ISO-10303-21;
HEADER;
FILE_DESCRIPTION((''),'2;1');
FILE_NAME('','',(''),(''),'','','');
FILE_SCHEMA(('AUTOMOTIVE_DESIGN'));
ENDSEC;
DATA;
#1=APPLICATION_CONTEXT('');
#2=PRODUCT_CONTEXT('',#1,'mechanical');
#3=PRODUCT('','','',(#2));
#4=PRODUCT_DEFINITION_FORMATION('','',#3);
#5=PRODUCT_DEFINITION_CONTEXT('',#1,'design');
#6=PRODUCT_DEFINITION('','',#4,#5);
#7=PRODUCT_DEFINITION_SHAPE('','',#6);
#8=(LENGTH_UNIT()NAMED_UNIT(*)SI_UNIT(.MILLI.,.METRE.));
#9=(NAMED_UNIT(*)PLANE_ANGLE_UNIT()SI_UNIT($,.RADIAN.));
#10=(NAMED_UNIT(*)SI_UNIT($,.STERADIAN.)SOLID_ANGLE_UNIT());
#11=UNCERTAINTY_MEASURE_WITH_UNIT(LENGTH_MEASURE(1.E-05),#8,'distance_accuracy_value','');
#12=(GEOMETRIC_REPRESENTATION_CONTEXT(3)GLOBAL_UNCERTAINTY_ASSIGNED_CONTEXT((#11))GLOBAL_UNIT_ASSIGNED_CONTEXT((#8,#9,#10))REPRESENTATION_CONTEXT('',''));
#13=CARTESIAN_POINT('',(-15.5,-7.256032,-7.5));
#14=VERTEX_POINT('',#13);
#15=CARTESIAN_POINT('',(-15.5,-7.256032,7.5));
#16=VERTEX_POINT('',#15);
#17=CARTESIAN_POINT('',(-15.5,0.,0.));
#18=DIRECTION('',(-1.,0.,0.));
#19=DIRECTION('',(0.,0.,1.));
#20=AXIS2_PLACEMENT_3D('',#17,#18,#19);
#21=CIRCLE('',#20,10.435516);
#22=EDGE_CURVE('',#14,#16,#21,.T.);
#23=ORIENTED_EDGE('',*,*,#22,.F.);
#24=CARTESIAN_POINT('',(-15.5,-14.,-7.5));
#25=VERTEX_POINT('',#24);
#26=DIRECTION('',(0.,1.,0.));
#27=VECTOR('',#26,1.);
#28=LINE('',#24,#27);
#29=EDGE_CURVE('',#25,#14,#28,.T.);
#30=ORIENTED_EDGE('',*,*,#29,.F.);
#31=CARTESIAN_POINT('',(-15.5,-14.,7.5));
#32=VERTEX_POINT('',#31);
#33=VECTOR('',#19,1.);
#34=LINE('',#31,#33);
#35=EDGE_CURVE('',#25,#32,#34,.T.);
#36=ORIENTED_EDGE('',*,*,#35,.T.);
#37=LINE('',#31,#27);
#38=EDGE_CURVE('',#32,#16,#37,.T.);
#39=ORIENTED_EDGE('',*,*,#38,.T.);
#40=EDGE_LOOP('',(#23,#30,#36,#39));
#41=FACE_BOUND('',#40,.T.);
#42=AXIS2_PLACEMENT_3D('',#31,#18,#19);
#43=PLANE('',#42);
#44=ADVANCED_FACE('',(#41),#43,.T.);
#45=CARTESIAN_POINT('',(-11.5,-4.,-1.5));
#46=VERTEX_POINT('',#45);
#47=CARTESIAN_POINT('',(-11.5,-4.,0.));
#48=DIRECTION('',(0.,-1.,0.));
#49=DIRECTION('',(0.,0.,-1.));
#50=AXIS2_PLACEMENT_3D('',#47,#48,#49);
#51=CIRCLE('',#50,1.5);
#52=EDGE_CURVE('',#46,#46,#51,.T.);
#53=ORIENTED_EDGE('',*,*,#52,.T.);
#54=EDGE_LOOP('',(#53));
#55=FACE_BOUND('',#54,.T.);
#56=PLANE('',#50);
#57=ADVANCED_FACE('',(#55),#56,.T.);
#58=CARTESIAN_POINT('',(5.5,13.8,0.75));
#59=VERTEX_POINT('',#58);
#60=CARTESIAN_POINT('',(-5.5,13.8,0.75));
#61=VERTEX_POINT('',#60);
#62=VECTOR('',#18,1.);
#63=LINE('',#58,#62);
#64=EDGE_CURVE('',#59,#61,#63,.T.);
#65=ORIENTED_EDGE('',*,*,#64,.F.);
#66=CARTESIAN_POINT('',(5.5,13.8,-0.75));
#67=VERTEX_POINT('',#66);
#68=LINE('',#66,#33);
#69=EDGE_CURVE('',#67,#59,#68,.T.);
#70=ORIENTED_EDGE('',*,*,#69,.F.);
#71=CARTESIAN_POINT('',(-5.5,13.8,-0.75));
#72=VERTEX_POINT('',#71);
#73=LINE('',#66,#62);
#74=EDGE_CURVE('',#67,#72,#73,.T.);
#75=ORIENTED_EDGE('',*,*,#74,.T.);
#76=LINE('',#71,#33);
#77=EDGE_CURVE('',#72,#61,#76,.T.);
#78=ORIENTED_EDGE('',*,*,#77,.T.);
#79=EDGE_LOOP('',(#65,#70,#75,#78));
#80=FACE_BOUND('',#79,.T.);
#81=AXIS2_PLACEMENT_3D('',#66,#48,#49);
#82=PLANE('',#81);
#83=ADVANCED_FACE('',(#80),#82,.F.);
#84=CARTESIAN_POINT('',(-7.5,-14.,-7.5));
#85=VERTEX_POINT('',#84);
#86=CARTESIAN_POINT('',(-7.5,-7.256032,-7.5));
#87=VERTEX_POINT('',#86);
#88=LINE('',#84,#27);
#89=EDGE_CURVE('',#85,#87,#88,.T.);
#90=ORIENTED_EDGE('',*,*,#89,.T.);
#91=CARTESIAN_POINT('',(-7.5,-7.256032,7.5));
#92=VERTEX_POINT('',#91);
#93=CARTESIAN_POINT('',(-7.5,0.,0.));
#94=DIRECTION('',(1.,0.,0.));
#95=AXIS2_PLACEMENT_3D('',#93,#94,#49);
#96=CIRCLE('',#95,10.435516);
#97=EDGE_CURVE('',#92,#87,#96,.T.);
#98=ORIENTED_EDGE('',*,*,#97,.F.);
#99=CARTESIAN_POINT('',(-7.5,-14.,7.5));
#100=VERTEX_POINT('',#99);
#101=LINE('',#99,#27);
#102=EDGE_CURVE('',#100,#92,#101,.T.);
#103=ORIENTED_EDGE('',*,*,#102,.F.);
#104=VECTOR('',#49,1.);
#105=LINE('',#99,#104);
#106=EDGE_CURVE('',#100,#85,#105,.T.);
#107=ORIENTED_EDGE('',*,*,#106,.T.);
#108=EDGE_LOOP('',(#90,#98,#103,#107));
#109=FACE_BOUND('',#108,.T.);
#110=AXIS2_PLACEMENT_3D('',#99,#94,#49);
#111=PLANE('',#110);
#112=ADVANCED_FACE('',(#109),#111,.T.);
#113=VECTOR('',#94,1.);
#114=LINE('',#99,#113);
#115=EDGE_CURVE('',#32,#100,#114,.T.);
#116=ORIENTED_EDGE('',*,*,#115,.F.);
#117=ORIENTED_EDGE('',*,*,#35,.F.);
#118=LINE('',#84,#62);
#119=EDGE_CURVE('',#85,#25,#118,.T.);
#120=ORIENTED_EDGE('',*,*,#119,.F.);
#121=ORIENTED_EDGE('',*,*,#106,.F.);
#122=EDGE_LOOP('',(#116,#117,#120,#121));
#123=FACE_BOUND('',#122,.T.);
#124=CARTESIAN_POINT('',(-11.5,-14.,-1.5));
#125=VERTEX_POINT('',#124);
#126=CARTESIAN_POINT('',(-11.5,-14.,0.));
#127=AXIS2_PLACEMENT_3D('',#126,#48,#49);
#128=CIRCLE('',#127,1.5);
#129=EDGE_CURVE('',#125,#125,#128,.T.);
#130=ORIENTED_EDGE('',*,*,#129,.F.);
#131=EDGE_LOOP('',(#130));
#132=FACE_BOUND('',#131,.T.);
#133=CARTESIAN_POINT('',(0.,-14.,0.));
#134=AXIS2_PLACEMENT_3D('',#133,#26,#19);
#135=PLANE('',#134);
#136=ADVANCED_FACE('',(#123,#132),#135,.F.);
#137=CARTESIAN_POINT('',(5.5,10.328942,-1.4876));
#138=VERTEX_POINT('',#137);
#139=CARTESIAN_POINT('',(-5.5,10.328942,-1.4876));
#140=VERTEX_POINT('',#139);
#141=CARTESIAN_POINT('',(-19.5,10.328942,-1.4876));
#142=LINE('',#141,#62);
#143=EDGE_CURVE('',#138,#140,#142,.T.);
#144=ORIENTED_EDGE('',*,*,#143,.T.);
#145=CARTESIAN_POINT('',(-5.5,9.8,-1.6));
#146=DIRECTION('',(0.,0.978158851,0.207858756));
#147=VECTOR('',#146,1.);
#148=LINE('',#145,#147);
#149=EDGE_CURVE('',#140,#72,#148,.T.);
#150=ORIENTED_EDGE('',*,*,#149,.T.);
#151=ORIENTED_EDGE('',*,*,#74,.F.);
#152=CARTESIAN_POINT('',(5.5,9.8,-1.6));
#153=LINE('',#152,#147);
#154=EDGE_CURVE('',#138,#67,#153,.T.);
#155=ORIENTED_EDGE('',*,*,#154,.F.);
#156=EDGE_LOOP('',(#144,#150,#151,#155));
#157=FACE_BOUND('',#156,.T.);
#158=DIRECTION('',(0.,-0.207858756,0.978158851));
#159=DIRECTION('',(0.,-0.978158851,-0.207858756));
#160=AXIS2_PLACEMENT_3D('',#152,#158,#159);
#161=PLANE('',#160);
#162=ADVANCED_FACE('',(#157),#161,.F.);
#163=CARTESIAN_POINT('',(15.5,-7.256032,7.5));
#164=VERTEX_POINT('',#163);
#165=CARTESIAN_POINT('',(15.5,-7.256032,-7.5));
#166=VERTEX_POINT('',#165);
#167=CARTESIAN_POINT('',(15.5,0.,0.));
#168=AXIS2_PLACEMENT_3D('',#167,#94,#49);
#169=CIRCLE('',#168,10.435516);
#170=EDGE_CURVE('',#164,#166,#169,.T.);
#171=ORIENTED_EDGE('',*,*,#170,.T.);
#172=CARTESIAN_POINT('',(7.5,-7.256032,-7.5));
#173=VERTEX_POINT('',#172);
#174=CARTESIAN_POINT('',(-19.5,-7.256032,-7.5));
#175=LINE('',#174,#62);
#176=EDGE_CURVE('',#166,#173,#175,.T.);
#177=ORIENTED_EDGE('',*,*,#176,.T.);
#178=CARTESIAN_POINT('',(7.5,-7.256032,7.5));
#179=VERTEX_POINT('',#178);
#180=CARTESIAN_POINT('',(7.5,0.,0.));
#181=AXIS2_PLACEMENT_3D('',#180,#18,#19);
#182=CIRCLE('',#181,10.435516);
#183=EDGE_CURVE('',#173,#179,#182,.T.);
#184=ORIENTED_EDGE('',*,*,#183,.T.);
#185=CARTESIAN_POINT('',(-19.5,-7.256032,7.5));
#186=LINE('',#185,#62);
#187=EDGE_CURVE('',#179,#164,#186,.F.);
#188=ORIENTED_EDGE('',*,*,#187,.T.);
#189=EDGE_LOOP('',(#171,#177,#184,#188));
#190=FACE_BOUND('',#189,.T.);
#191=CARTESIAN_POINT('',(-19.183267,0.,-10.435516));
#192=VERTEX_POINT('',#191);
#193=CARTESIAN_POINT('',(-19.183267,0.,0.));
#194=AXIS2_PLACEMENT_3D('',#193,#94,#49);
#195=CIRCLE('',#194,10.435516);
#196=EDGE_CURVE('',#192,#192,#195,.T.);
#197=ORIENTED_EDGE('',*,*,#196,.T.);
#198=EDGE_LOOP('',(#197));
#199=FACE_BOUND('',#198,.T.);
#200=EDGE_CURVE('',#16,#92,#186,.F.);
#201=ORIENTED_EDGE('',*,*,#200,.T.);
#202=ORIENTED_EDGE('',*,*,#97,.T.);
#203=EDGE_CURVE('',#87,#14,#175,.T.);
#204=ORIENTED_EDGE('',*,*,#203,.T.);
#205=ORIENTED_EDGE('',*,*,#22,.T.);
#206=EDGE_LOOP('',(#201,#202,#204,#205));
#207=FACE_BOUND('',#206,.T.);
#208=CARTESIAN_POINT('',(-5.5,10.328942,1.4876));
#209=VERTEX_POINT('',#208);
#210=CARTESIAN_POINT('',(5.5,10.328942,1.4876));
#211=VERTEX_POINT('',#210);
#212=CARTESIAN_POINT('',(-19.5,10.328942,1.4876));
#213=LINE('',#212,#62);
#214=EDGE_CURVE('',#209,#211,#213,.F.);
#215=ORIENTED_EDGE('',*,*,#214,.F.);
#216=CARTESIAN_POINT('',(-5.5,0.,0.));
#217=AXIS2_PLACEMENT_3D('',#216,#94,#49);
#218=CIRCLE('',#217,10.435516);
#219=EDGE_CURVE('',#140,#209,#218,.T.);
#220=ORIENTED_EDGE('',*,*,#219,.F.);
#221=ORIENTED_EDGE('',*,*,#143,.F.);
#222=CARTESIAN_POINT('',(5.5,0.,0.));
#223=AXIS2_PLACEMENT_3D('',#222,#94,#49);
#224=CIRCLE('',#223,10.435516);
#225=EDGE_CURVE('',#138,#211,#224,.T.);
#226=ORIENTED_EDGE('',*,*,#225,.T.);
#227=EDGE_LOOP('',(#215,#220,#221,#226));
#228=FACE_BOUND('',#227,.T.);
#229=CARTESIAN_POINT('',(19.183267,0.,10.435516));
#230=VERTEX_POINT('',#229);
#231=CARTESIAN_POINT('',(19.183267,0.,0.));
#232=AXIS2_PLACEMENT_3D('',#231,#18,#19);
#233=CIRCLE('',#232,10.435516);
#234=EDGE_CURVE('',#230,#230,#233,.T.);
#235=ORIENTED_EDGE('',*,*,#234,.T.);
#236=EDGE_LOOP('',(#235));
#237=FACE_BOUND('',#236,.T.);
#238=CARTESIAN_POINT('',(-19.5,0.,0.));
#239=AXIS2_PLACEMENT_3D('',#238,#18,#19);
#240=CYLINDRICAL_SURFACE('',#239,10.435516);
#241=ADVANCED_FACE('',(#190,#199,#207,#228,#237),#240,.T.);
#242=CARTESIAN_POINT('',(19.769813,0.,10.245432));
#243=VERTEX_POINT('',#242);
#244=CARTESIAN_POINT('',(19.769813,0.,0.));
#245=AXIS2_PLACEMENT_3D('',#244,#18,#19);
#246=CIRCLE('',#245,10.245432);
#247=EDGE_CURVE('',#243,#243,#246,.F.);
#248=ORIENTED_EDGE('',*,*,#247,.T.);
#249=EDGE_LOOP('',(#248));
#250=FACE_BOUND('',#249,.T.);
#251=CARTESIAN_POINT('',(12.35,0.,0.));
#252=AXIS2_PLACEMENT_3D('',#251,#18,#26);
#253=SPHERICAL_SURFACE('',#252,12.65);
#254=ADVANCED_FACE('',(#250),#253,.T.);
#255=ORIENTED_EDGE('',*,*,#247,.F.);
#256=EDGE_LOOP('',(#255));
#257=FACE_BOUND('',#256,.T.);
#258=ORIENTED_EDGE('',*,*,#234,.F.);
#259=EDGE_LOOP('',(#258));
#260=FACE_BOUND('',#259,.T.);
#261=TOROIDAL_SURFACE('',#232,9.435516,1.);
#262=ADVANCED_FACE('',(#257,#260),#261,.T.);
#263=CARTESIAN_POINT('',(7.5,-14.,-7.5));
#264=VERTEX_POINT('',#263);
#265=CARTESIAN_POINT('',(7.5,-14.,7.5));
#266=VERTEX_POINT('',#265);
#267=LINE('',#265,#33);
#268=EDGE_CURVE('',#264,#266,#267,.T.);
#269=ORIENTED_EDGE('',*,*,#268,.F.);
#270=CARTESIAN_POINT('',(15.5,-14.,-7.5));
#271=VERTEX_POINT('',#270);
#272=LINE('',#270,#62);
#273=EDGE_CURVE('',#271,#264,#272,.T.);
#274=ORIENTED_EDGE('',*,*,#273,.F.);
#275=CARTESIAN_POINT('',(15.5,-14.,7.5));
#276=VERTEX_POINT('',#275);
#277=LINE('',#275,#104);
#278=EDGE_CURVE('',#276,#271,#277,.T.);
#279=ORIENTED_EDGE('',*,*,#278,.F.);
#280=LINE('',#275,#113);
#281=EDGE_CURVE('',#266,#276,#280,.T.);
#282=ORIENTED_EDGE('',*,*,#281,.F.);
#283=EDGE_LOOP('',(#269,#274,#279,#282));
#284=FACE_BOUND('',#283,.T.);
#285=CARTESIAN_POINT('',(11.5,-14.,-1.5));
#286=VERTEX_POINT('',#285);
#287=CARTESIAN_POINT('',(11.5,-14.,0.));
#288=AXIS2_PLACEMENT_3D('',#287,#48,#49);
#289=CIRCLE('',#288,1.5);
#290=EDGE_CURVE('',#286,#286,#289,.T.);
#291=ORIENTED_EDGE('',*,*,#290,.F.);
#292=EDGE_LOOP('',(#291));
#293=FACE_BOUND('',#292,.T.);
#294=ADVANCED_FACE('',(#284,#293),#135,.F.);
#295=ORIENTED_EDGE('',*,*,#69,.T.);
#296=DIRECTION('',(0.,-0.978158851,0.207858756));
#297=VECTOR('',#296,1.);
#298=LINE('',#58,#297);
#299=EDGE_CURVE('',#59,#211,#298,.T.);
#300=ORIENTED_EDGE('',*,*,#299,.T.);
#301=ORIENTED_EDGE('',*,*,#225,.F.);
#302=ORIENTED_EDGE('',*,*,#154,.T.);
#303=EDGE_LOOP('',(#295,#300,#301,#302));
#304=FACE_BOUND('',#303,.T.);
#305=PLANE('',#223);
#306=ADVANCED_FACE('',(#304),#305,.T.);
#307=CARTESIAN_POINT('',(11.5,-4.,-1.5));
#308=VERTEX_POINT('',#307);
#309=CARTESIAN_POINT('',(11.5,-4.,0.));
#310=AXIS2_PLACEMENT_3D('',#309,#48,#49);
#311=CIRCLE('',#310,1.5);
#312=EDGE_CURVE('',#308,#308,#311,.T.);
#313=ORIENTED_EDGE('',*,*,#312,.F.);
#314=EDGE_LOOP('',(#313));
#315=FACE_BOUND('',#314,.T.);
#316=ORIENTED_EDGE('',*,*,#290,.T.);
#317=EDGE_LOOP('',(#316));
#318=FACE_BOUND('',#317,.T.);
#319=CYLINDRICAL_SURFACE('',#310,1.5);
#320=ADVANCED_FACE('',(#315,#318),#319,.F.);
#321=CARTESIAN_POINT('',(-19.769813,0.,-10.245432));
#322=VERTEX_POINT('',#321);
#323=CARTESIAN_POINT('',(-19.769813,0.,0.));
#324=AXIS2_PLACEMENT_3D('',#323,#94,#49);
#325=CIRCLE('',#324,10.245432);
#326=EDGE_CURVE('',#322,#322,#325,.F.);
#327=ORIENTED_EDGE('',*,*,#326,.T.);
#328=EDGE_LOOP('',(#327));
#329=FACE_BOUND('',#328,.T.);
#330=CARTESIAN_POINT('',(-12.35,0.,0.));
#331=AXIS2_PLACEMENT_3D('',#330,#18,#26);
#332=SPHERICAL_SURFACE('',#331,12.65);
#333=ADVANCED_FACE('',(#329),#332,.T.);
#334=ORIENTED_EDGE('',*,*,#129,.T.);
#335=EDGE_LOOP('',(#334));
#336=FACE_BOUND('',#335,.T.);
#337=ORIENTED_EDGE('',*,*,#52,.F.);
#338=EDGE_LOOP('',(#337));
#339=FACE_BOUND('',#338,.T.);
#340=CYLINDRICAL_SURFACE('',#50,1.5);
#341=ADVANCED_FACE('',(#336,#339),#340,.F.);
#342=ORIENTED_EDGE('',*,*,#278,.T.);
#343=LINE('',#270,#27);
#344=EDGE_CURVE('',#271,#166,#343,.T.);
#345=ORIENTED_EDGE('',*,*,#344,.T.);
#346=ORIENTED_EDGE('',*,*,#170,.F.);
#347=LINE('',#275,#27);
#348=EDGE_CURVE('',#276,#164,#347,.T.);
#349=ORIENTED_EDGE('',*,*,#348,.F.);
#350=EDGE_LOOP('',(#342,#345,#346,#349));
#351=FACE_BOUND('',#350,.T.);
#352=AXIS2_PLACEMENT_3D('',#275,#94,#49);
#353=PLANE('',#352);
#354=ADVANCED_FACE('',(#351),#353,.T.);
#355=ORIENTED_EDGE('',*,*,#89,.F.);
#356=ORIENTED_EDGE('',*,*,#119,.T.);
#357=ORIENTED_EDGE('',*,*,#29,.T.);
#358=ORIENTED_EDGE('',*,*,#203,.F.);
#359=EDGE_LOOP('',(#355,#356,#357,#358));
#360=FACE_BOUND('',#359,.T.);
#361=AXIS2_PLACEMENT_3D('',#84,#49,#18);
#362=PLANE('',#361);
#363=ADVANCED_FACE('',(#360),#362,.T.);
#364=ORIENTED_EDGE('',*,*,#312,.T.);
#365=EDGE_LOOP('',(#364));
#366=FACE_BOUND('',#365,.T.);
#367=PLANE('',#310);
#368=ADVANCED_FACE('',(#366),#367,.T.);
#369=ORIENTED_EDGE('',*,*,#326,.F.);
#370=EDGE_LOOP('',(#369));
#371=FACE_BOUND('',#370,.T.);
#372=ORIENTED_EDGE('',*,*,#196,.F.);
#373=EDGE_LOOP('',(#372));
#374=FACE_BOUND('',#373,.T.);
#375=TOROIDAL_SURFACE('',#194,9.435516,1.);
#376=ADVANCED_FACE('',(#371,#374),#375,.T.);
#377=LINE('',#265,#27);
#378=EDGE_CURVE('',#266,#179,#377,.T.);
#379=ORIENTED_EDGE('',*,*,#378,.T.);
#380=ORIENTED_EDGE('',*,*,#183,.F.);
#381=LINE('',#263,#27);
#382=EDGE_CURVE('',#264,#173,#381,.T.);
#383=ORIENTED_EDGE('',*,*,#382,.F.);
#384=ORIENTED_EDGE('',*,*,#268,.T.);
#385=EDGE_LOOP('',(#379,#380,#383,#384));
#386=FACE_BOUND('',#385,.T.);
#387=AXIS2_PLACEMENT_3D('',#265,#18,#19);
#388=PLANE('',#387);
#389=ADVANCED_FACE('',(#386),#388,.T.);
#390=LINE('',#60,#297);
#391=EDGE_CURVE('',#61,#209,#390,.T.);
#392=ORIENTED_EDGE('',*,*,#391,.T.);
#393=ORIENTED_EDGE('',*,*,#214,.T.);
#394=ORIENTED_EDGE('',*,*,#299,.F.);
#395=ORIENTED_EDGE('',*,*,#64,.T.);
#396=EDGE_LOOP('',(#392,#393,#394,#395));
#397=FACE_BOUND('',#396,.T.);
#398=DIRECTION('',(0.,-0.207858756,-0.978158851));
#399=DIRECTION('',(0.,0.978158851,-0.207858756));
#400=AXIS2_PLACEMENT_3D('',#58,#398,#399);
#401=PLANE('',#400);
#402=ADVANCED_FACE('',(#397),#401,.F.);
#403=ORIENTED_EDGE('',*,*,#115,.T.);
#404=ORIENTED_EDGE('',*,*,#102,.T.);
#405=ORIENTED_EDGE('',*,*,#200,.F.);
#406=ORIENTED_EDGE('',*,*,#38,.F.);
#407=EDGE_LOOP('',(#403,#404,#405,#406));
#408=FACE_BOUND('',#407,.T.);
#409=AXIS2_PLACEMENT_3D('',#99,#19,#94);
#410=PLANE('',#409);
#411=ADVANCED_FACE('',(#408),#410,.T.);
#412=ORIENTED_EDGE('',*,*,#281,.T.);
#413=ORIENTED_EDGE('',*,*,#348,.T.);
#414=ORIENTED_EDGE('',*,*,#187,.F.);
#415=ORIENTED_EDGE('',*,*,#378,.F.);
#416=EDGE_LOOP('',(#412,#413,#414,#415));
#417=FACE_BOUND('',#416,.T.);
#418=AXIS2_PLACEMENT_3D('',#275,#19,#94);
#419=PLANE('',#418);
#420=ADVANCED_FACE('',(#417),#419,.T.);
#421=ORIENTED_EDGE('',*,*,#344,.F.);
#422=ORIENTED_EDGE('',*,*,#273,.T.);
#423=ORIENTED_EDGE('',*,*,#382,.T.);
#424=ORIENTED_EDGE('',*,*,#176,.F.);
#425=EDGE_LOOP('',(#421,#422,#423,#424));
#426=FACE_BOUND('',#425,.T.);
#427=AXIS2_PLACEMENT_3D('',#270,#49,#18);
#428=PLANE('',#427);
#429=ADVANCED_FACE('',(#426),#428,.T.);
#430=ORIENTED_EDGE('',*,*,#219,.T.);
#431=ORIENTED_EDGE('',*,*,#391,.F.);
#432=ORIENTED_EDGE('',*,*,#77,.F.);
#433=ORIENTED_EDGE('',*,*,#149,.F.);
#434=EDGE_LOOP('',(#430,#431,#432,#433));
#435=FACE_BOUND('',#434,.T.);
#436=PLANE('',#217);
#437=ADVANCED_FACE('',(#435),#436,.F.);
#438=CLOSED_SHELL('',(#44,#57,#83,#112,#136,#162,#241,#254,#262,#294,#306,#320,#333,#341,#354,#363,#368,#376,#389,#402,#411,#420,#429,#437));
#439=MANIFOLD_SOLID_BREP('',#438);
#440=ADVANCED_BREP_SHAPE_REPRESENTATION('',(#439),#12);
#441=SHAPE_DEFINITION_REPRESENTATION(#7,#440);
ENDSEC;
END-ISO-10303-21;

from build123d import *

# Parameters (mm, degrees)
SKETCH_3_W          = 8
SKETCH_3_H          = 15
EXTRUDE_1_DEPTH     = 14
SKETCH_4_R          = 1.5
CUT_EXTRUDE_1_DEPTH = 10
FILLET_1_R          = 1
EXTRUDE_2_DEPTH     = 5.5


with BuildPart() as part:
    # ｽｹｯﾁ1 → 回転2 (revolve)
    with BuildSketch(Plane.XY):
        with BuildLine():
            Line((-19.5, 10.435516279), (19.5, 10.435516279))
            ThreePointArc((19.5, 10.435516279), (23.540844472, 5.898092912), (25, 0))
            Line((25, 0), (-25, 0))
            ThreePointArc((-25, 0), (-23.540844472, 5.898092912), (-19.5, 10.435516279))
        make_face()
    revolve(axis=Axis((-19.5, 0, 0), (1, 0, 0)))

    # ｽｹｯﾁ3 → ﾎﾞｽ - 押し出し1 (add)
    with BuildSketch(Plane(origin=(0, 0, 0), x_dir=(1, 0, 0), z_dir=(0, 1, 0))):
        with Locations((-11.5, 0)):
            Rectangle(SKETCH_3_W, SKETCH_3_H)
        with Locations((11.5, 0)):
            Rectangle(SKETCH_3_W, SKETCH_3_H)
    extrude(amount=-EXTRUDE_1_DEPTH)

    # ｽｹｯﾁ4 → ｶｯﾄ - 押し出し1 (cut)
    with BuildSketch(Plane(origin=(0, -14, 0), x_dir=(-1, 0, 0), z_dir=(0, -1, 0))):
        with Locations(Location((-11.5, 0, 0), (0, 0, 90))):
            Circle(SKETCH_4_R)
        with Locations(Location((11.5, 0, 0), (0, 0, 90))):
            Circle(SKETCH_4_R)
    extrude(amount=-CUT_EXTRUDE_1_DEPTH, mode=Mode.SUBTRACT)

    # ﾌｨﾚｯﾄ1
    fillet_1_edges = [part.edges().sort_by_distance(p)[0] for p in [
        (-19.5, -10.435516279, 0),
        (19.5, -10.435516279, 0),
    ]]
    fillet(fillet_1_edges, radius=FILLET_1_R)

    # ｽｹｯﾁ5 → ﾎﾞｽ - 押し出し2 (add, symmetric)
    with BuildSketch(Plane(origin=(0, 0, 0), x_dir=(0, 0, -1), z_dir=(1, 0, 0))):
        Polygon((-1.6, 9.8), (1.6, 9.8), (0.75, 13.8), (-0.75, 13.8), align=None)
    extrude(amount=EXTRUDE_2_DEPTH, both=True)


solid = part.part
